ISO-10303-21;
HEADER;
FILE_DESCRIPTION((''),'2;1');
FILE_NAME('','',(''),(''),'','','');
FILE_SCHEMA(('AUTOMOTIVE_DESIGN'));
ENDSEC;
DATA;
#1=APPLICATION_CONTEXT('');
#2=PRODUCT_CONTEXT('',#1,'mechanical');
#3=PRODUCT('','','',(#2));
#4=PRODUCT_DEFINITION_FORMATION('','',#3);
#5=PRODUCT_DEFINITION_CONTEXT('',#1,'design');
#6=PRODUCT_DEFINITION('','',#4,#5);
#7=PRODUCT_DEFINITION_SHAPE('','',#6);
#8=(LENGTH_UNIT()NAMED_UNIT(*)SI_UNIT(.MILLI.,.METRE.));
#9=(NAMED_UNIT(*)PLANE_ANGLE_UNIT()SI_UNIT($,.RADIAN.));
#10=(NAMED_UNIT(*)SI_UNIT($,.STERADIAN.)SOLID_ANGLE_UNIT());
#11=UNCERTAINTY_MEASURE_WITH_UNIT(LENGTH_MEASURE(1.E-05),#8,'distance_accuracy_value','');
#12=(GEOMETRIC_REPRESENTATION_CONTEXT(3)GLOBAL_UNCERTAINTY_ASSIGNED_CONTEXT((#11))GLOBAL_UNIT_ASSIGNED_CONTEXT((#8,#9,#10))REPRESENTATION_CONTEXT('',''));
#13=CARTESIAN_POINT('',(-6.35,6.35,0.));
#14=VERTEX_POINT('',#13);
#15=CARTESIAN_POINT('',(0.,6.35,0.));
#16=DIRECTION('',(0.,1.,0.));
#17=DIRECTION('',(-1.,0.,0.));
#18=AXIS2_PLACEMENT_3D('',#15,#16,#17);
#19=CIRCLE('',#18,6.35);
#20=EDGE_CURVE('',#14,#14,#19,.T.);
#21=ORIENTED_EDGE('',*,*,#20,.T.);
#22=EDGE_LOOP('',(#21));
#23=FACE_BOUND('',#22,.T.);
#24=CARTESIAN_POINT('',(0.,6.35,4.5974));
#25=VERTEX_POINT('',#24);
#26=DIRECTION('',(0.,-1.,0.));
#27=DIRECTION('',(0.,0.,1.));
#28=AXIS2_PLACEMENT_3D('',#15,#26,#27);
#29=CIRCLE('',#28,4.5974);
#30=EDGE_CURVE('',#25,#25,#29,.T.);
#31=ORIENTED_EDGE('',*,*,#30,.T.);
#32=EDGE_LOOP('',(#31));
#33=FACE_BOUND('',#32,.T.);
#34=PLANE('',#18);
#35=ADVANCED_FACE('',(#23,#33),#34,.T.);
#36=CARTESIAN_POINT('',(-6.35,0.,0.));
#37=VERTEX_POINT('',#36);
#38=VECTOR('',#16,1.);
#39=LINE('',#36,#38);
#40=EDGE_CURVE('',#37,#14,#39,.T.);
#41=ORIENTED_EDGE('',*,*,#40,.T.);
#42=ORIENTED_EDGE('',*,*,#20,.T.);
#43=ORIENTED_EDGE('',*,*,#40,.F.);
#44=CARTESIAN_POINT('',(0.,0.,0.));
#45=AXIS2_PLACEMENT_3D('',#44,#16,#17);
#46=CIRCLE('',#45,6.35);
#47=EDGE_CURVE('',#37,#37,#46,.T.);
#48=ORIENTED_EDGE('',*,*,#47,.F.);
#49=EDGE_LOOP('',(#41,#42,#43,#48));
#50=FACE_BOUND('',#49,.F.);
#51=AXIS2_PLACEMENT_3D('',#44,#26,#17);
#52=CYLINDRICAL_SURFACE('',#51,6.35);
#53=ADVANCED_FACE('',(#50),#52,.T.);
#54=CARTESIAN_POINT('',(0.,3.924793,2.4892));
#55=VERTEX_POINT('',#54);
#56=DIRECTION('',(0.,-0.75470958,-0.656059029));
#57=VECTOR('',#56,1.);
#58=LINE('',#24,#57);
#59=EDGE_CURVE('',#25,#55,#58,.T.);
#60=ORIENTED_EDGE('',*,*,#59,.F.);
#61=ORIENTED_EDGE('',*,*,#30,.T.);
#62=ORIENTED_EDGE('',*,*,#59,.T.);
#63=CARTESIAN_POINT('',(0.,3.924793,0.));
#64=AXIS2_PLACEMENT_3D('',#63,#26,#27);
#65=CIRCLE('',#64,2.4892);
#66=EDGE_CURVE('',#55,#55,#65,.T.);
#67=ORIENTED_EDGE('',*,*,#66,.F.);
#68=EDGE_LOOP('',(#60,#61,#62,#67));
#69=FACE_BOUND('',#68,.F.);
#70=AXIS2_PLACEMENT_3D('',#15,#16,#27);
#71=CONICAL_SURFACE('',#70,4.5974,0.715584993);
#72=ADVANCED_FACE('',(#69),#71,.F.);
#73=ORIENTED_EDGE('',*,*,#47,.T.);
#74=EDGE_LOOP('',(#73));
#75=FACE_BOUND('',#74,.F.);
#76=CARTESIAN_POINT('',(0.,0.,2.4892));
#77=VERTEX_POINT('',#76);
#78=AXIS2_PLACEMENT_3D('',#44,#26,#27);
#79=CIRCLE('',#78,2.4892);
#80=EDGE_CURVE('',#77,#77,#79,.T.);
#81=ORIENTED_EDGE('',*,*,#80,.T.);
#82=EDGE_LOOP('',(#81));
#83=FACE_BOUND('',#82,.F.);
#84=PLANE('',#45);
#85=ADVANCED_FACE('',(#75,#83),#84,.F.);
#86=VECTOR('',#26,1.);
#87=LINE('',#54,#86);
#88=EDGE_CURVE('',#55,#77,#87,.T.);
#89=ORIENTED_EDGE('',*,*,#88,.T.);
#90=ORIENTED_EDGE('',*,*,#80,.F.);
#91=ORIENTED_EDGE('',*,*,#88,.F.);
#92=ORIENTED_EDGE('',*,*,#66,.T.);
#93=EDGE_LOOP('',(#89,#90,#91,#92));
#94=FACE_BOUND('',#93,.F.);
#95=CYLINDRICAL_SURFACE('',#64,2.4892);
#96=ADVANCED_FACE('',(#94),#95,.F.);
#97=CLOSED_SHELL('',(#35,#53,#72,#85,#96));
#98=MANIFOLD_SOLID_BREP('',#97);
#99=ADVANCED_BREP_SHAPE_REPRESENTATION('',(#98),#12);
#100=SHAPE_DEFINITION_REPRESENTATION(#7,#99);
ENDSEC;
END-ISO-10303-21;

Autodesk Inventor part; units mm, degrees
ref_plane "YZ Plane" through (0, 0, 0) normal (1, 0, 0) x (0, 1, 0)
ref_plane "XZ Plane" through (0, 0, 0) normal (0, 1, 0) x (-1, 0, 0)
ref_plane "XY Plane" through (0, 0, 0) normal (0, 0, 1) x (1, 0, 0)
sketch "Sketch1" plane through (0, 0, 0) normal (0, 1, 0) x (-1, 0, 0)
  circle A0 centre (0, 0) radius 6.35
  dimension "d0" = 12.7
extrude "Extrusion1" add sketch "Sketch1" along normal blind 6.35
sketch "Sketch2" plane through (0, 6.35, 0) normal (0, 1, 0) x (1, 0, 0)
  point P0 (0, 0)
  point P1 (0, 0)
hole "Hole1" at (0, 6.35, 0) direction (0, -1, 0) diameter 4.9784 depth 6.35 countersink diameter 9.1948 countersink angle 82
properties part number "COTS_HALLEffectSensor_Magnet" material "Nickel-Copper Alloy 400"
